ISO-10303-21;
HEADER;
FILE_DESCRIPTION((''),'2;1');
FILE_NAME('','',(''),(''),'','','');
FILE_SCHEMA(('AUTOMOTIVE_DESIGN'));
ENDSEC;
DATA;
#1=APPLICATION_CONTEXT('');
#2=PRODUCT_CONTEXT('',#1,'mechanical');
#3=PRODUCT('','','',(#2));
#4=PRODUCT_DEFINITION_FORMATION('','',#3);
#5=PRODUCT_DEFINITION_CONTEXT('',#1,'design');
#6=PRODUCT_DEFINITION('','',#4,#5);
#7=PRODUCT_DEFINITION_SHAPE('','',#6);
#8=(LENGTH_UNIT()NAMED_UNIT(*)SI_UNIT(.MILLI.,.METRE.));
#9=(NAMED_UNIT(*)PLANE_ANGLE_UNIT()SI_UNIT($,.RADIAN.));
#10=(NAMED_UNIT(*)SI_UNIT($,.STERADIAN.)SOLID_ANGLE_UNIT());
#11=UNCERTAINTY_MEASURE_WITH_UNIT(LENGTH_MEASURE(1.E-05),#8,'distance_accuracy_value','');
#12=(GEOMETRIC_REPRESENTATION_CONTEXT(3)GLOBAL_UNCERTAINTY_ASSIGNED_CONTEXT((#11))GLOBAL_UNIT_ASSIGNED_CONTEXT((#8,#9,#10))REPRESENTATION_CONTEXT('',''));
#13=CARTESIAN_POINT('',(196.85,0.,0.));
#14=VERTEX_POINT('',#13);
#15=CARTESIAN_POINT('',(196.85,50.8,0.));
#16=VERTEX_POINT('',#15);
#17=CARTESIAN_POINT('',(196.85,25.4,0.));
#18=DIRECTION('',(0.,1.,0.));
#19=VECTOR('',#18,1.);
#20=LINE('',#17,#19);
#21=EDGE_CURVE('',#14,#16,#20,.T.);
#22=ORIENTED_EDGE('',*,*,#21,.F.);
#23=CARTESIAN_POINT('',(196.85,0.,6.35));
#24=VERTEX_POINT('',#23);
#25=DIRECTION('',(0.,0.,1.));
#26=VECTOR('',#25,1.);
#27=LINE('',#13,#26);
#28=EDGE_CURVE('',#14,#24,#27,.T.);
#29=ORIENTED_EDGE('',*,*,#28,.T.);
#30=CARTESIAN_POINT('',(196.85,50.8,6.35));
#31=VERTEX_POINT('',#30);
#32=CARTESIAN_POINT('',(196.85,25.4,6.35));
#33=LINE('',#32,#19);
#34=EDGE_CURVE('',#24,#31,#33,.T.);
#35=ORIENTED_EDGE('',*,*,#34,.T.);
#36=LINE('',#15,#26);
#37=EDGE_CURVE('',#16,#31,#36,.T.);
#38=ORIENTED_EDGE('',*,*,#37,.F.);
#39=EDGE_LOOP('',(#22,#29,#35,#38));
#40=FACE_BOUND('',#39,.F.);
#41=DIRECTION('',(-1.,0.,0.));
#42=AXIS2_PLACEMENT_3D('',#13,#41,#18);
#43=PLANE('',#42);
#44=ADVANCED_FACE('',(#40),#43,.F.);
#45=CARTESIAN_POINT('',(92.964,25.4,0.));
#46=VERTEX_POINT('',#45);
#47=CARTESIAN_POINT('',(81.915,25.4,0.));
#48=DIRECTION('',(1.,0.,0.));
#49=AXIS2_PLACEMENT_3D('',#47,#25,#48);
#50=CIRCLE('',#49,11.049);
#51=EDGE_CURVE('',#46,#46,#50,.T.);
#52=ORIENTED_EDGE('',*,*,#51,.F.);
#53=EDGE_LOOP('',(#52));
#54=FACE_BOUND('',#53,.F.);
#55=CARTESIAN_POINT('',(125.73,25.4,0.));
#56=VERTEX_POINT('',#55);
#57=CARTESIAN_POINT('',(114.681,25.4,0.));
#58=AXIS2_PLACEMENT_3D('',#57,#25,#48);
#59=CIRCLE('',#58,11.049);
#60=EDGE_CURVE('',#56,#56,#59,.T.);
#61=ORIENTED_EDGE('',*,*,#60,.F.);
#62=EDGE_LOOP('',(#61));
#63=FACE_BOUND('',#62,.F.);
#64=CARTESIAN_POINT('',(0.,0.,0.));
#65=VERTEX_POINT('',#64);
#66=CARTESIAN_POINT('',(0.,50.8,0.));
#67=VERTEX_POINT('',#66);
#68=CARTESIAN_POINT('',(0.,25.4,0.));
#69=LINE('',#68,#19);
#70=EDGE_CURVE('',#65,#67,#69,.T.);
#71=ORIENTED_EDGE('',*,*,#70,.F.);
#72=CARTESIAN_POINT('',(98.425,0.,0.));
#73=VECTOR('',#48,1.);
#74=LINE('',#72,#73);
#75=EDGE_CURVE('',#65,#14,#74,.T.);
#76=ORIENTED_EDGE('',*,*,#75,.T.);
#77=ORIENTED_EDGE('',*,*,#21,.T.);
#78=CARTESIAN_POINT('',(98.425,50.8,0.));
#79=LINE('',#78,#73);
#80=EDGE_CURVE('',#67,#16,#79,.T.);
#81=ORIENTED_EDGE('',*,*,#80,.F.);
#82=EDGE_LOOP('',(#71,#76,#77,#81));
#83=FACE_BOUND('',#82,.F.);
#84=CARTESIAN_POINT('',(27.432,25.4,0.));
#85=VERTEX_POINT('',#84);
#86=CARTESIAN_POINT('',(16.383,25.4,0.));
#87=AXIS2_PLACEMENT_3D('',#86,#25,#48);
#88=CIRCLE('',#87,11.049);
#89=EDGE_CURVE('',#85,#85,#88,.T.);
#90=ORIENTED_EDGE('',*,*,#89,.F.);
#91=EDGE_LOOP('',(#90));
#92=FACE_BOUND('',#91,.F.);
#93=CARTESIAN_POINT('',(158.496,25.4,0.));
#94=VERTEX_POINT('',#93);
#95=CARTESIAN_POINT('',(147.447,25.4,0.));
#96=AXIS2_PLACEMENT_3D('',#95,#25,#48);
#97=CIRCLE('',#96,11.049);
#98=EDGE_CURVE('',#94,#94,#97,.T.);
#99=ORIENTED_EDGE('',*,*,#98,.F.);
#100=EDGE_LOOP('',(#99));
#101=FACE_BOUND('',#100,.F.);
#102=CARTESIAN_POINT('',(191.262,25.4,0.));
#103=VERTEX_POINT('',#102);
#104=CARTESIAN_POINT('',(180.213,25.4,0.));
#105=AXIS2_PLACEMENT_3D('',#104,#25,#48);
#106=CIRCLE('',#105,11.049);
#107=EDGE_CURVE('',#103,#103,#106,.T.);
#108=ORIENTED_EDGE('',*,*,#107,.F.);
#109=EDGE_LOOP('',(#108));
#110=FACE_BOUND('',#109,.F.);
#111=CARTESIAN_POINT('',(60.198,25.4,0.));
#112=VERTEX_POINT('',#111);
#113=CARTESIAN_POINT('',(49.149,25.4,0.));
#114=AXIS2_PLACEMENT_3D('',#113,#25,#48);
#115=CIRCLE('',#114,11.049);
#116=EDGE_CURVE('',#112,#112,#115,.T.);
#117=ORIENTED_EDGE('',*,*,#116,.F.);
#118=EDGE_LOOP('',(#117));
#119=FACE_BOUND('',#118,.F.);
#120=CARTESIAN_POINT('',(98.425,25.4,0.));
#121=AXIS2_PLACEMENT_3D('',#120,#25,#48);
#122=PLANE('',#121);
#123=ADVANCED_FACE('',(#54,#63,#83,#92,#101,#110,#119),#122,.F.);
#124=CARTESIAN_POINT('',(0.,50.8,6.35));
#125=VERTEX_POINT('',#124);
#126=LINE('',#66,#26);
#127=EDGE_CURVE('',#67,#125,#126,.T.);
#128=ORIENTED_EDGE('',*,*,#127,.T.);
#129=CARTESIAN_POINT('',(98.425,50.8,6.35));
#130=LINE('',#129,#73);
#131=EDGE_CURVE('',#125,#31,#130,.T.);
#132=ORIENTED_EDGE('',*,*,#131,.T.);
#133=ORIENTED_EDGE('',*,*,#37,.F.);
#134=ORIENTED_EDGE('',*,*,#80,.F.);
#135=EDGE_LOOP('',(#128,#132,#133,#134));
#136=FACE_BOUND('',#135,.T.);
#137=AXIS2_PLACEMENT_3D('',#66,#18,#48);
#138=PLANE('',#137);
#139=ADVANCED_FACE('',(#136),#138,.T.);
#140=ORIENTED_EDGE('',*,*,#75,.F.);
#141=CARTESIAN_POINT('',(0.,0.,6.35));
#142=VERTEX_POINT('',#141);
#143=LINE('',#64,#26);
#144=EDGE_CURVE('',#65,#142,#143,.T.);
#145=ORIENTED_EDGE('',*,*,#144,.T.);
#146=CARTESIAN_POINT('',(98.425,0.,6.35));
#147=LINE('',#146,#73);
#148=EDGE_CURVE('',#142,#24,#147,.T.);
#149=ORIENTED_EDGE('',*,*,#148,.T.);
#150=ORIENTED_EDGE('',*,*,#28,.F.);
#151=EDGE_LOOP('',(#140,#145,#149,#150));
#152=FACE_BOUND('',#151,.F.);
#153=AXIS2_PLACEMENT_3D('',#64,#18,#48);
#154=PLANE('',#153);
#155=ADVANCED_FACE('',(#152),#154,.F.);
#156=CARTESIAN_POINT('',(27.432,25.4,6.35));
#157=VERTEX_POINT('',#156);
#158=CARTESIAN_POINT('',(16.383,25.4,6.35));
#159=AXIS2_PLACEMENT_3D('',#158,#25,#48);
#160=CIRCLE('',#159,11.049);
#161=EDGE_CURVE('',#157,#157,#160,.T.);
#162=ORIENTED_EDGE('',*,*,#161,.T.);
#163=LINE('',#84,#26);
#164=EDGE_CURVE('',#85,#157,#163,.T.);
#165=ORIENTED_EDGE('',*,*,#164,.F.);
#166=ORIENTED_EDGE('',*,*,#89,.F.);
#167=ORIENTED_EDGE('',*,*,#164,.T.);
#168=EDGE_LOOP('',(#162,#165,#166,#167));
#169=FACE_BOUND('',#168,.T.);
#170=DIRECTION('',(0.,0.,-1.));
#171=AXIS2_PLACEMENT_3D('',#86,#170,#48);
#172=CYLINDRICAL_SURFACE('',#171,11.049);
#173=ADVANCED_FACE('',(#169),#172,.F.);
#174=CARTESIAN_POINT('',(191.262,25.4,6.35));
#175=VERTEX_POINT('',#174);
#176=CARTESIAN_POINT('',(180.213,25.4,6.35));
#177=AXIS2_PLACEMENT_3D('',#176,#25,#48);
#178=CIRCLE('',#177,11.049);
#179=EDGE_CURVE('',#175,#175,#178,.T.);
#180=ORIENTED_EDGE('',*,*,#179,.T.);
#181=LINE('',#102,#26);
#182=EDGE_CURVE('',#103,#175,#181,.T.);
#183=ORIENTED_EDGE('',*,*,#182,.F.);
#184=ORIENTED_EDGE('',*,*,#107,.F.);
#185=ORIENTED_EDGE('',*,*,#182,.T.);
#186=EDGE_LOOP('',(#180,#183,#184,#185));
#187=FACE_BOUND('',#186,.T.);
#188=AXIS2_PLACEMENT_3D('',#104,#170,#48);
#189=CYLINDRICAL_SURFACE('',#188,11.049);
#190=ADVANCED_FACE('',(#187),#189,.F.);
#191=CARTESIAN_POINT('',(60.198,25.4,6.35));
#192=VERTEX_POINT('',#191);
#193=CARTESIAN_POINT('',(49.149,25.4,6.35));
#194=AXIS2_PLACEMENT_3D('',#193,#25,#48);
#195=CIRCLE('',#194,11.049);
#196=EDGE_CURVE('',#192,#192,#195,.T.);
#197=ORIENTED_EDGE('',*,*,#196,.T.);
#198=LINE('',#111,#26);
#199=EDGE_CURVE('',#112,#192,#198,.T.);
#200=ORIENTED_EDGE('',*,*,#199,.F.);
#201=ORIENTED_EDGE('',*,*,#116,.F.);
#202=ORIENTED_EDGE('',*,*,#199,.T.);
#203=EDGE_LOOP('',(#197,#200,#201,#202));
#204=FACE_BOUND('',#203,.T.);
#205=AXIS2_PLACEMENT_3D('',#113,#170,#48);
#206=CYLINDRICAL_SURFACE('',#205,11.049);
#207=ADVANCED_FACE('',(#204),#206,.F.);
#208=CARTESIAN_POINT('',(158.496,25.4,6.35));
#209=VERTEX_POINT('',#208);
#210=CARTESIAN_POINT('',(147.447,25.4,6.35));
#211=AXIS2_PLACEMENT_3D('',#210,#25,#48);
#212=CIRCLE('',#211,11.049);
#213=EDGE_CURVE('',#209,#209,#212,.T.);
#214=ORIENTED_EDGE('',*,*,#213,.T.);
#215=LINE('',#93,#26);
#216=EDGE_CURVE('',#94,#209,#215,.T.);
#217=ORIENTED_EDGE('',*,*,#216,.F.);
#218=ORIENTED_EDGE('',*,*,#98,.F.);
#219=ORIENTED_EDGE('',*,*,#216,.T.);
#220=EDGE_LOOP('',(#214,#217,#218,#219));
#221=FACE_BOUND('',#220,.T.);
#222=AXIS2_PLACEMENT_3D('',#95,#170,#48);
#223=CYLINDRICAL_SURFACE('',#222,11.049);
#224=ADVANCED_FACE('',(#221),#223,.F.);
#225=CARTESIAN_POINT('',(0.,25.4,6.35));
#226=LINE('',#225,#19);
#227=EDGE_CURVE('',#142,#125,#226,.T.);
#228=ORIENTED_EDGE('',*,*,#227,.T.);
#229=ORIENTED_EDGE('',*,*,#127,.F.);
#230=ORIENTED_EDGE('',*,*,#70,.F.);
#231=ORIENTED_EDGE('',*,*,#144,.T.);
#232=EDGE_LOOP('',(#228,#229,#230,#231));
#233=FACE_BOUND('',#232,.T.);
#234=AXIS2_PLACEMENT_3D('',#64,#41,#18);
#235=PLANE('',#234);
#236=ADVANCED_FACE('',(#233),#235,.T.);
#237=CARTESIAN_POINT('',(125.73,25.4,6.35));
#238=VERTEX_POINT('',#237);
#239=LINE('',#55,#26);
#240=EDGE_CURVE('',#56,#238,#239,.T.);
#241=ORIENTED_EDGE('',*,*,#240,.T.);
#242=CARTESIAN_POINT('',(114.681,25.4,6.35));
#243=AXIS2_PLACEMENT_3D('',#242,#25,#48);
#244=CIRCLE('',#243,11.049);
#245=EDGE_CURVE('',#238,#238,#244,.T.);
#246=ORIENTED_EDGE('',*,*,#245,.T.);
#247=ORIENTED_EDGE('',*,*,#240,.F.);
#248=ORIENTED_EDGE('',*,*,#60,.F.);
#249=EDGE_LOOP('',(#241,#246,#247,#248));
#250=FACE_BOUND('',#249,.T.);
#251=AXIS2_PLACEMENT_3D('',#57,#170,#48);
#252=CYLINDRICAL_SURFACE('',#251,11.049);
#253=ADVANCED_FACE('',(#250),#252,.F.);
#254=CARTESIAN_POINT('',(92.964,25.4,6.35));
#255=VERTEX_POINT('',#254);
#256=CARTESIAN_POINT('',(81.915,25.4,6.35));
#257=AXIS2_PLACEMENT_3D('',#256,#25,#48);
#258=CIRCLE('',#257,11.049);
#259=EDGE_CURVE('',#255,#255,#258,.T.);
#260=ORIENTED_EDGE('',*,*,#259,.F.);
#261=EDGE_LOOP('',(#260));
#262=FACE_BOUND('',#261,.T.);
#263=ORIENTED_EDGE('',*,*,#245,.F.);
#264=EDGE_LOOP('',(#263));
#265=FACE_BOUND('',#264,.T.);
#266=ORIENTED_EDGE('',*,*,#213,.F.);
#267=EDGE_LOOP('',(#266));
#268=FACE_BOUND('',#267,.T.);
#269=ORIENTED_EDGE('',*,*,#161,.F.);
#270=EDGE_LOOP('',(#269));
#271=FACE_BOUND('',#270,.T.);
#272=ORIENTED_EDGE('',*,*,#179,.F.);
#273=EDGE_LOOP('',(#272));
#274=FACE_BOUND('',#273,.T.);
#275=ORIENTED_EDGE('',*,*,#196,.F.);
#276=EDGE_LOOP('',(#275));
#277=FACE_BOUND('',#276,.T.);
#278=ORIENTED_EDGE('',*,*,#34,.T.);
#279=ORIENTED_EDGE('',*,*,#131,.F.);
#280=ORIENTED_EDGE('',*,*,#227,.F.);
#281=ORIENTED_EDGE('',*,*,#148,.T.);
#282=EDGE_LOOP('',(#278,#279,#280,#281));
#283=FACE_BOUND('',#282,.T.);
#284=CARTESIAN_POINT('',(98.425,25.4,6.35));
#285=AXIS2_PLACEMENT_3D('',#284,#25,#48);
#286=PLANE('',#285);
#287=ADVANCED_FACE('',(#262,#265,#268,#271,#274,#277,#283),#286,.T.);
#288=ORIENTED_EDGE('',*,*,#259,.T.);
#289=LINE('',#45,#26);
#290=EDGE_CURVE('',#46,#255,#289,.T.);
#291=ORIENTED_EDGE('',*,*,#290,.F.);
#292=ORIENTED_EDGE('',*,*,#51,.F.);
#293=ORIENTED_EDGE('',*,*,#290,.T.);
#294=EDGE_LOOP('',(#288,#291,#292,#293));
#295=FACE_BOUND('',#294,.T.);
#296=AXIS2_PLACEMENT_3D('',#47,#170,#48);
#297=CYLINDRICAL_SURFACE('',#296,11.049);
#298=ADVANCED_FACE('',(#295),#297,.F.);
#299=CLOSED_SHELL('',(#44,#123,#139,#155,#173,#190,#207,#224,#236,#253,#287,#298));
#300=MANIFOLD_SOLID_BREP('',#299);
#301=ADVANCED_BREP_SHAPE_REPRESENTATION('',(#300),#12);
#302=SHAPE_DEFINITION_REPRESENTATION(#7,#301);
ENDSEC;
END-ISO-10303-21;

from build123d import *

# Parameters (mm, degrees)
F0_W     = 196.85
F0_H     = 50.8
F0_R     = 11.049
F1_DEPTH = 6.35


with BuildPart() as f1:
    # F0 (on Top) → F1 (new body)
    with BuildSketch(Plane.XY):
        with Locations((98.425, 25.4)):
            Rectangle(F0_W, F0_H)
        with Locations((16.383, 25.4)):
            Circle(F0_R, mode=Mode.SUBTRACT)
        with Locations((49.149, 25.4)):
            Circle(F0_R, mode=Mode.SUBTRACT)
        with Locations((81.915, 25.4)):
            Circle(F0_R, mode=Mode.SUBTRACT)
        with Locations((114.681, 25.4)):
            Circle(F0_R, mode=Mode.SUBTRACT)
        with Locations((147.447, 25.4)):
            Circle(F0_R, mode=Mode.SUBTRACT)
        with Locations((180.213, 25.4)):
            Circle(F0_R, mode=Mode.SUBTRACT)
    extrude(amount=F1_DEPTH)


solid = f1.part
